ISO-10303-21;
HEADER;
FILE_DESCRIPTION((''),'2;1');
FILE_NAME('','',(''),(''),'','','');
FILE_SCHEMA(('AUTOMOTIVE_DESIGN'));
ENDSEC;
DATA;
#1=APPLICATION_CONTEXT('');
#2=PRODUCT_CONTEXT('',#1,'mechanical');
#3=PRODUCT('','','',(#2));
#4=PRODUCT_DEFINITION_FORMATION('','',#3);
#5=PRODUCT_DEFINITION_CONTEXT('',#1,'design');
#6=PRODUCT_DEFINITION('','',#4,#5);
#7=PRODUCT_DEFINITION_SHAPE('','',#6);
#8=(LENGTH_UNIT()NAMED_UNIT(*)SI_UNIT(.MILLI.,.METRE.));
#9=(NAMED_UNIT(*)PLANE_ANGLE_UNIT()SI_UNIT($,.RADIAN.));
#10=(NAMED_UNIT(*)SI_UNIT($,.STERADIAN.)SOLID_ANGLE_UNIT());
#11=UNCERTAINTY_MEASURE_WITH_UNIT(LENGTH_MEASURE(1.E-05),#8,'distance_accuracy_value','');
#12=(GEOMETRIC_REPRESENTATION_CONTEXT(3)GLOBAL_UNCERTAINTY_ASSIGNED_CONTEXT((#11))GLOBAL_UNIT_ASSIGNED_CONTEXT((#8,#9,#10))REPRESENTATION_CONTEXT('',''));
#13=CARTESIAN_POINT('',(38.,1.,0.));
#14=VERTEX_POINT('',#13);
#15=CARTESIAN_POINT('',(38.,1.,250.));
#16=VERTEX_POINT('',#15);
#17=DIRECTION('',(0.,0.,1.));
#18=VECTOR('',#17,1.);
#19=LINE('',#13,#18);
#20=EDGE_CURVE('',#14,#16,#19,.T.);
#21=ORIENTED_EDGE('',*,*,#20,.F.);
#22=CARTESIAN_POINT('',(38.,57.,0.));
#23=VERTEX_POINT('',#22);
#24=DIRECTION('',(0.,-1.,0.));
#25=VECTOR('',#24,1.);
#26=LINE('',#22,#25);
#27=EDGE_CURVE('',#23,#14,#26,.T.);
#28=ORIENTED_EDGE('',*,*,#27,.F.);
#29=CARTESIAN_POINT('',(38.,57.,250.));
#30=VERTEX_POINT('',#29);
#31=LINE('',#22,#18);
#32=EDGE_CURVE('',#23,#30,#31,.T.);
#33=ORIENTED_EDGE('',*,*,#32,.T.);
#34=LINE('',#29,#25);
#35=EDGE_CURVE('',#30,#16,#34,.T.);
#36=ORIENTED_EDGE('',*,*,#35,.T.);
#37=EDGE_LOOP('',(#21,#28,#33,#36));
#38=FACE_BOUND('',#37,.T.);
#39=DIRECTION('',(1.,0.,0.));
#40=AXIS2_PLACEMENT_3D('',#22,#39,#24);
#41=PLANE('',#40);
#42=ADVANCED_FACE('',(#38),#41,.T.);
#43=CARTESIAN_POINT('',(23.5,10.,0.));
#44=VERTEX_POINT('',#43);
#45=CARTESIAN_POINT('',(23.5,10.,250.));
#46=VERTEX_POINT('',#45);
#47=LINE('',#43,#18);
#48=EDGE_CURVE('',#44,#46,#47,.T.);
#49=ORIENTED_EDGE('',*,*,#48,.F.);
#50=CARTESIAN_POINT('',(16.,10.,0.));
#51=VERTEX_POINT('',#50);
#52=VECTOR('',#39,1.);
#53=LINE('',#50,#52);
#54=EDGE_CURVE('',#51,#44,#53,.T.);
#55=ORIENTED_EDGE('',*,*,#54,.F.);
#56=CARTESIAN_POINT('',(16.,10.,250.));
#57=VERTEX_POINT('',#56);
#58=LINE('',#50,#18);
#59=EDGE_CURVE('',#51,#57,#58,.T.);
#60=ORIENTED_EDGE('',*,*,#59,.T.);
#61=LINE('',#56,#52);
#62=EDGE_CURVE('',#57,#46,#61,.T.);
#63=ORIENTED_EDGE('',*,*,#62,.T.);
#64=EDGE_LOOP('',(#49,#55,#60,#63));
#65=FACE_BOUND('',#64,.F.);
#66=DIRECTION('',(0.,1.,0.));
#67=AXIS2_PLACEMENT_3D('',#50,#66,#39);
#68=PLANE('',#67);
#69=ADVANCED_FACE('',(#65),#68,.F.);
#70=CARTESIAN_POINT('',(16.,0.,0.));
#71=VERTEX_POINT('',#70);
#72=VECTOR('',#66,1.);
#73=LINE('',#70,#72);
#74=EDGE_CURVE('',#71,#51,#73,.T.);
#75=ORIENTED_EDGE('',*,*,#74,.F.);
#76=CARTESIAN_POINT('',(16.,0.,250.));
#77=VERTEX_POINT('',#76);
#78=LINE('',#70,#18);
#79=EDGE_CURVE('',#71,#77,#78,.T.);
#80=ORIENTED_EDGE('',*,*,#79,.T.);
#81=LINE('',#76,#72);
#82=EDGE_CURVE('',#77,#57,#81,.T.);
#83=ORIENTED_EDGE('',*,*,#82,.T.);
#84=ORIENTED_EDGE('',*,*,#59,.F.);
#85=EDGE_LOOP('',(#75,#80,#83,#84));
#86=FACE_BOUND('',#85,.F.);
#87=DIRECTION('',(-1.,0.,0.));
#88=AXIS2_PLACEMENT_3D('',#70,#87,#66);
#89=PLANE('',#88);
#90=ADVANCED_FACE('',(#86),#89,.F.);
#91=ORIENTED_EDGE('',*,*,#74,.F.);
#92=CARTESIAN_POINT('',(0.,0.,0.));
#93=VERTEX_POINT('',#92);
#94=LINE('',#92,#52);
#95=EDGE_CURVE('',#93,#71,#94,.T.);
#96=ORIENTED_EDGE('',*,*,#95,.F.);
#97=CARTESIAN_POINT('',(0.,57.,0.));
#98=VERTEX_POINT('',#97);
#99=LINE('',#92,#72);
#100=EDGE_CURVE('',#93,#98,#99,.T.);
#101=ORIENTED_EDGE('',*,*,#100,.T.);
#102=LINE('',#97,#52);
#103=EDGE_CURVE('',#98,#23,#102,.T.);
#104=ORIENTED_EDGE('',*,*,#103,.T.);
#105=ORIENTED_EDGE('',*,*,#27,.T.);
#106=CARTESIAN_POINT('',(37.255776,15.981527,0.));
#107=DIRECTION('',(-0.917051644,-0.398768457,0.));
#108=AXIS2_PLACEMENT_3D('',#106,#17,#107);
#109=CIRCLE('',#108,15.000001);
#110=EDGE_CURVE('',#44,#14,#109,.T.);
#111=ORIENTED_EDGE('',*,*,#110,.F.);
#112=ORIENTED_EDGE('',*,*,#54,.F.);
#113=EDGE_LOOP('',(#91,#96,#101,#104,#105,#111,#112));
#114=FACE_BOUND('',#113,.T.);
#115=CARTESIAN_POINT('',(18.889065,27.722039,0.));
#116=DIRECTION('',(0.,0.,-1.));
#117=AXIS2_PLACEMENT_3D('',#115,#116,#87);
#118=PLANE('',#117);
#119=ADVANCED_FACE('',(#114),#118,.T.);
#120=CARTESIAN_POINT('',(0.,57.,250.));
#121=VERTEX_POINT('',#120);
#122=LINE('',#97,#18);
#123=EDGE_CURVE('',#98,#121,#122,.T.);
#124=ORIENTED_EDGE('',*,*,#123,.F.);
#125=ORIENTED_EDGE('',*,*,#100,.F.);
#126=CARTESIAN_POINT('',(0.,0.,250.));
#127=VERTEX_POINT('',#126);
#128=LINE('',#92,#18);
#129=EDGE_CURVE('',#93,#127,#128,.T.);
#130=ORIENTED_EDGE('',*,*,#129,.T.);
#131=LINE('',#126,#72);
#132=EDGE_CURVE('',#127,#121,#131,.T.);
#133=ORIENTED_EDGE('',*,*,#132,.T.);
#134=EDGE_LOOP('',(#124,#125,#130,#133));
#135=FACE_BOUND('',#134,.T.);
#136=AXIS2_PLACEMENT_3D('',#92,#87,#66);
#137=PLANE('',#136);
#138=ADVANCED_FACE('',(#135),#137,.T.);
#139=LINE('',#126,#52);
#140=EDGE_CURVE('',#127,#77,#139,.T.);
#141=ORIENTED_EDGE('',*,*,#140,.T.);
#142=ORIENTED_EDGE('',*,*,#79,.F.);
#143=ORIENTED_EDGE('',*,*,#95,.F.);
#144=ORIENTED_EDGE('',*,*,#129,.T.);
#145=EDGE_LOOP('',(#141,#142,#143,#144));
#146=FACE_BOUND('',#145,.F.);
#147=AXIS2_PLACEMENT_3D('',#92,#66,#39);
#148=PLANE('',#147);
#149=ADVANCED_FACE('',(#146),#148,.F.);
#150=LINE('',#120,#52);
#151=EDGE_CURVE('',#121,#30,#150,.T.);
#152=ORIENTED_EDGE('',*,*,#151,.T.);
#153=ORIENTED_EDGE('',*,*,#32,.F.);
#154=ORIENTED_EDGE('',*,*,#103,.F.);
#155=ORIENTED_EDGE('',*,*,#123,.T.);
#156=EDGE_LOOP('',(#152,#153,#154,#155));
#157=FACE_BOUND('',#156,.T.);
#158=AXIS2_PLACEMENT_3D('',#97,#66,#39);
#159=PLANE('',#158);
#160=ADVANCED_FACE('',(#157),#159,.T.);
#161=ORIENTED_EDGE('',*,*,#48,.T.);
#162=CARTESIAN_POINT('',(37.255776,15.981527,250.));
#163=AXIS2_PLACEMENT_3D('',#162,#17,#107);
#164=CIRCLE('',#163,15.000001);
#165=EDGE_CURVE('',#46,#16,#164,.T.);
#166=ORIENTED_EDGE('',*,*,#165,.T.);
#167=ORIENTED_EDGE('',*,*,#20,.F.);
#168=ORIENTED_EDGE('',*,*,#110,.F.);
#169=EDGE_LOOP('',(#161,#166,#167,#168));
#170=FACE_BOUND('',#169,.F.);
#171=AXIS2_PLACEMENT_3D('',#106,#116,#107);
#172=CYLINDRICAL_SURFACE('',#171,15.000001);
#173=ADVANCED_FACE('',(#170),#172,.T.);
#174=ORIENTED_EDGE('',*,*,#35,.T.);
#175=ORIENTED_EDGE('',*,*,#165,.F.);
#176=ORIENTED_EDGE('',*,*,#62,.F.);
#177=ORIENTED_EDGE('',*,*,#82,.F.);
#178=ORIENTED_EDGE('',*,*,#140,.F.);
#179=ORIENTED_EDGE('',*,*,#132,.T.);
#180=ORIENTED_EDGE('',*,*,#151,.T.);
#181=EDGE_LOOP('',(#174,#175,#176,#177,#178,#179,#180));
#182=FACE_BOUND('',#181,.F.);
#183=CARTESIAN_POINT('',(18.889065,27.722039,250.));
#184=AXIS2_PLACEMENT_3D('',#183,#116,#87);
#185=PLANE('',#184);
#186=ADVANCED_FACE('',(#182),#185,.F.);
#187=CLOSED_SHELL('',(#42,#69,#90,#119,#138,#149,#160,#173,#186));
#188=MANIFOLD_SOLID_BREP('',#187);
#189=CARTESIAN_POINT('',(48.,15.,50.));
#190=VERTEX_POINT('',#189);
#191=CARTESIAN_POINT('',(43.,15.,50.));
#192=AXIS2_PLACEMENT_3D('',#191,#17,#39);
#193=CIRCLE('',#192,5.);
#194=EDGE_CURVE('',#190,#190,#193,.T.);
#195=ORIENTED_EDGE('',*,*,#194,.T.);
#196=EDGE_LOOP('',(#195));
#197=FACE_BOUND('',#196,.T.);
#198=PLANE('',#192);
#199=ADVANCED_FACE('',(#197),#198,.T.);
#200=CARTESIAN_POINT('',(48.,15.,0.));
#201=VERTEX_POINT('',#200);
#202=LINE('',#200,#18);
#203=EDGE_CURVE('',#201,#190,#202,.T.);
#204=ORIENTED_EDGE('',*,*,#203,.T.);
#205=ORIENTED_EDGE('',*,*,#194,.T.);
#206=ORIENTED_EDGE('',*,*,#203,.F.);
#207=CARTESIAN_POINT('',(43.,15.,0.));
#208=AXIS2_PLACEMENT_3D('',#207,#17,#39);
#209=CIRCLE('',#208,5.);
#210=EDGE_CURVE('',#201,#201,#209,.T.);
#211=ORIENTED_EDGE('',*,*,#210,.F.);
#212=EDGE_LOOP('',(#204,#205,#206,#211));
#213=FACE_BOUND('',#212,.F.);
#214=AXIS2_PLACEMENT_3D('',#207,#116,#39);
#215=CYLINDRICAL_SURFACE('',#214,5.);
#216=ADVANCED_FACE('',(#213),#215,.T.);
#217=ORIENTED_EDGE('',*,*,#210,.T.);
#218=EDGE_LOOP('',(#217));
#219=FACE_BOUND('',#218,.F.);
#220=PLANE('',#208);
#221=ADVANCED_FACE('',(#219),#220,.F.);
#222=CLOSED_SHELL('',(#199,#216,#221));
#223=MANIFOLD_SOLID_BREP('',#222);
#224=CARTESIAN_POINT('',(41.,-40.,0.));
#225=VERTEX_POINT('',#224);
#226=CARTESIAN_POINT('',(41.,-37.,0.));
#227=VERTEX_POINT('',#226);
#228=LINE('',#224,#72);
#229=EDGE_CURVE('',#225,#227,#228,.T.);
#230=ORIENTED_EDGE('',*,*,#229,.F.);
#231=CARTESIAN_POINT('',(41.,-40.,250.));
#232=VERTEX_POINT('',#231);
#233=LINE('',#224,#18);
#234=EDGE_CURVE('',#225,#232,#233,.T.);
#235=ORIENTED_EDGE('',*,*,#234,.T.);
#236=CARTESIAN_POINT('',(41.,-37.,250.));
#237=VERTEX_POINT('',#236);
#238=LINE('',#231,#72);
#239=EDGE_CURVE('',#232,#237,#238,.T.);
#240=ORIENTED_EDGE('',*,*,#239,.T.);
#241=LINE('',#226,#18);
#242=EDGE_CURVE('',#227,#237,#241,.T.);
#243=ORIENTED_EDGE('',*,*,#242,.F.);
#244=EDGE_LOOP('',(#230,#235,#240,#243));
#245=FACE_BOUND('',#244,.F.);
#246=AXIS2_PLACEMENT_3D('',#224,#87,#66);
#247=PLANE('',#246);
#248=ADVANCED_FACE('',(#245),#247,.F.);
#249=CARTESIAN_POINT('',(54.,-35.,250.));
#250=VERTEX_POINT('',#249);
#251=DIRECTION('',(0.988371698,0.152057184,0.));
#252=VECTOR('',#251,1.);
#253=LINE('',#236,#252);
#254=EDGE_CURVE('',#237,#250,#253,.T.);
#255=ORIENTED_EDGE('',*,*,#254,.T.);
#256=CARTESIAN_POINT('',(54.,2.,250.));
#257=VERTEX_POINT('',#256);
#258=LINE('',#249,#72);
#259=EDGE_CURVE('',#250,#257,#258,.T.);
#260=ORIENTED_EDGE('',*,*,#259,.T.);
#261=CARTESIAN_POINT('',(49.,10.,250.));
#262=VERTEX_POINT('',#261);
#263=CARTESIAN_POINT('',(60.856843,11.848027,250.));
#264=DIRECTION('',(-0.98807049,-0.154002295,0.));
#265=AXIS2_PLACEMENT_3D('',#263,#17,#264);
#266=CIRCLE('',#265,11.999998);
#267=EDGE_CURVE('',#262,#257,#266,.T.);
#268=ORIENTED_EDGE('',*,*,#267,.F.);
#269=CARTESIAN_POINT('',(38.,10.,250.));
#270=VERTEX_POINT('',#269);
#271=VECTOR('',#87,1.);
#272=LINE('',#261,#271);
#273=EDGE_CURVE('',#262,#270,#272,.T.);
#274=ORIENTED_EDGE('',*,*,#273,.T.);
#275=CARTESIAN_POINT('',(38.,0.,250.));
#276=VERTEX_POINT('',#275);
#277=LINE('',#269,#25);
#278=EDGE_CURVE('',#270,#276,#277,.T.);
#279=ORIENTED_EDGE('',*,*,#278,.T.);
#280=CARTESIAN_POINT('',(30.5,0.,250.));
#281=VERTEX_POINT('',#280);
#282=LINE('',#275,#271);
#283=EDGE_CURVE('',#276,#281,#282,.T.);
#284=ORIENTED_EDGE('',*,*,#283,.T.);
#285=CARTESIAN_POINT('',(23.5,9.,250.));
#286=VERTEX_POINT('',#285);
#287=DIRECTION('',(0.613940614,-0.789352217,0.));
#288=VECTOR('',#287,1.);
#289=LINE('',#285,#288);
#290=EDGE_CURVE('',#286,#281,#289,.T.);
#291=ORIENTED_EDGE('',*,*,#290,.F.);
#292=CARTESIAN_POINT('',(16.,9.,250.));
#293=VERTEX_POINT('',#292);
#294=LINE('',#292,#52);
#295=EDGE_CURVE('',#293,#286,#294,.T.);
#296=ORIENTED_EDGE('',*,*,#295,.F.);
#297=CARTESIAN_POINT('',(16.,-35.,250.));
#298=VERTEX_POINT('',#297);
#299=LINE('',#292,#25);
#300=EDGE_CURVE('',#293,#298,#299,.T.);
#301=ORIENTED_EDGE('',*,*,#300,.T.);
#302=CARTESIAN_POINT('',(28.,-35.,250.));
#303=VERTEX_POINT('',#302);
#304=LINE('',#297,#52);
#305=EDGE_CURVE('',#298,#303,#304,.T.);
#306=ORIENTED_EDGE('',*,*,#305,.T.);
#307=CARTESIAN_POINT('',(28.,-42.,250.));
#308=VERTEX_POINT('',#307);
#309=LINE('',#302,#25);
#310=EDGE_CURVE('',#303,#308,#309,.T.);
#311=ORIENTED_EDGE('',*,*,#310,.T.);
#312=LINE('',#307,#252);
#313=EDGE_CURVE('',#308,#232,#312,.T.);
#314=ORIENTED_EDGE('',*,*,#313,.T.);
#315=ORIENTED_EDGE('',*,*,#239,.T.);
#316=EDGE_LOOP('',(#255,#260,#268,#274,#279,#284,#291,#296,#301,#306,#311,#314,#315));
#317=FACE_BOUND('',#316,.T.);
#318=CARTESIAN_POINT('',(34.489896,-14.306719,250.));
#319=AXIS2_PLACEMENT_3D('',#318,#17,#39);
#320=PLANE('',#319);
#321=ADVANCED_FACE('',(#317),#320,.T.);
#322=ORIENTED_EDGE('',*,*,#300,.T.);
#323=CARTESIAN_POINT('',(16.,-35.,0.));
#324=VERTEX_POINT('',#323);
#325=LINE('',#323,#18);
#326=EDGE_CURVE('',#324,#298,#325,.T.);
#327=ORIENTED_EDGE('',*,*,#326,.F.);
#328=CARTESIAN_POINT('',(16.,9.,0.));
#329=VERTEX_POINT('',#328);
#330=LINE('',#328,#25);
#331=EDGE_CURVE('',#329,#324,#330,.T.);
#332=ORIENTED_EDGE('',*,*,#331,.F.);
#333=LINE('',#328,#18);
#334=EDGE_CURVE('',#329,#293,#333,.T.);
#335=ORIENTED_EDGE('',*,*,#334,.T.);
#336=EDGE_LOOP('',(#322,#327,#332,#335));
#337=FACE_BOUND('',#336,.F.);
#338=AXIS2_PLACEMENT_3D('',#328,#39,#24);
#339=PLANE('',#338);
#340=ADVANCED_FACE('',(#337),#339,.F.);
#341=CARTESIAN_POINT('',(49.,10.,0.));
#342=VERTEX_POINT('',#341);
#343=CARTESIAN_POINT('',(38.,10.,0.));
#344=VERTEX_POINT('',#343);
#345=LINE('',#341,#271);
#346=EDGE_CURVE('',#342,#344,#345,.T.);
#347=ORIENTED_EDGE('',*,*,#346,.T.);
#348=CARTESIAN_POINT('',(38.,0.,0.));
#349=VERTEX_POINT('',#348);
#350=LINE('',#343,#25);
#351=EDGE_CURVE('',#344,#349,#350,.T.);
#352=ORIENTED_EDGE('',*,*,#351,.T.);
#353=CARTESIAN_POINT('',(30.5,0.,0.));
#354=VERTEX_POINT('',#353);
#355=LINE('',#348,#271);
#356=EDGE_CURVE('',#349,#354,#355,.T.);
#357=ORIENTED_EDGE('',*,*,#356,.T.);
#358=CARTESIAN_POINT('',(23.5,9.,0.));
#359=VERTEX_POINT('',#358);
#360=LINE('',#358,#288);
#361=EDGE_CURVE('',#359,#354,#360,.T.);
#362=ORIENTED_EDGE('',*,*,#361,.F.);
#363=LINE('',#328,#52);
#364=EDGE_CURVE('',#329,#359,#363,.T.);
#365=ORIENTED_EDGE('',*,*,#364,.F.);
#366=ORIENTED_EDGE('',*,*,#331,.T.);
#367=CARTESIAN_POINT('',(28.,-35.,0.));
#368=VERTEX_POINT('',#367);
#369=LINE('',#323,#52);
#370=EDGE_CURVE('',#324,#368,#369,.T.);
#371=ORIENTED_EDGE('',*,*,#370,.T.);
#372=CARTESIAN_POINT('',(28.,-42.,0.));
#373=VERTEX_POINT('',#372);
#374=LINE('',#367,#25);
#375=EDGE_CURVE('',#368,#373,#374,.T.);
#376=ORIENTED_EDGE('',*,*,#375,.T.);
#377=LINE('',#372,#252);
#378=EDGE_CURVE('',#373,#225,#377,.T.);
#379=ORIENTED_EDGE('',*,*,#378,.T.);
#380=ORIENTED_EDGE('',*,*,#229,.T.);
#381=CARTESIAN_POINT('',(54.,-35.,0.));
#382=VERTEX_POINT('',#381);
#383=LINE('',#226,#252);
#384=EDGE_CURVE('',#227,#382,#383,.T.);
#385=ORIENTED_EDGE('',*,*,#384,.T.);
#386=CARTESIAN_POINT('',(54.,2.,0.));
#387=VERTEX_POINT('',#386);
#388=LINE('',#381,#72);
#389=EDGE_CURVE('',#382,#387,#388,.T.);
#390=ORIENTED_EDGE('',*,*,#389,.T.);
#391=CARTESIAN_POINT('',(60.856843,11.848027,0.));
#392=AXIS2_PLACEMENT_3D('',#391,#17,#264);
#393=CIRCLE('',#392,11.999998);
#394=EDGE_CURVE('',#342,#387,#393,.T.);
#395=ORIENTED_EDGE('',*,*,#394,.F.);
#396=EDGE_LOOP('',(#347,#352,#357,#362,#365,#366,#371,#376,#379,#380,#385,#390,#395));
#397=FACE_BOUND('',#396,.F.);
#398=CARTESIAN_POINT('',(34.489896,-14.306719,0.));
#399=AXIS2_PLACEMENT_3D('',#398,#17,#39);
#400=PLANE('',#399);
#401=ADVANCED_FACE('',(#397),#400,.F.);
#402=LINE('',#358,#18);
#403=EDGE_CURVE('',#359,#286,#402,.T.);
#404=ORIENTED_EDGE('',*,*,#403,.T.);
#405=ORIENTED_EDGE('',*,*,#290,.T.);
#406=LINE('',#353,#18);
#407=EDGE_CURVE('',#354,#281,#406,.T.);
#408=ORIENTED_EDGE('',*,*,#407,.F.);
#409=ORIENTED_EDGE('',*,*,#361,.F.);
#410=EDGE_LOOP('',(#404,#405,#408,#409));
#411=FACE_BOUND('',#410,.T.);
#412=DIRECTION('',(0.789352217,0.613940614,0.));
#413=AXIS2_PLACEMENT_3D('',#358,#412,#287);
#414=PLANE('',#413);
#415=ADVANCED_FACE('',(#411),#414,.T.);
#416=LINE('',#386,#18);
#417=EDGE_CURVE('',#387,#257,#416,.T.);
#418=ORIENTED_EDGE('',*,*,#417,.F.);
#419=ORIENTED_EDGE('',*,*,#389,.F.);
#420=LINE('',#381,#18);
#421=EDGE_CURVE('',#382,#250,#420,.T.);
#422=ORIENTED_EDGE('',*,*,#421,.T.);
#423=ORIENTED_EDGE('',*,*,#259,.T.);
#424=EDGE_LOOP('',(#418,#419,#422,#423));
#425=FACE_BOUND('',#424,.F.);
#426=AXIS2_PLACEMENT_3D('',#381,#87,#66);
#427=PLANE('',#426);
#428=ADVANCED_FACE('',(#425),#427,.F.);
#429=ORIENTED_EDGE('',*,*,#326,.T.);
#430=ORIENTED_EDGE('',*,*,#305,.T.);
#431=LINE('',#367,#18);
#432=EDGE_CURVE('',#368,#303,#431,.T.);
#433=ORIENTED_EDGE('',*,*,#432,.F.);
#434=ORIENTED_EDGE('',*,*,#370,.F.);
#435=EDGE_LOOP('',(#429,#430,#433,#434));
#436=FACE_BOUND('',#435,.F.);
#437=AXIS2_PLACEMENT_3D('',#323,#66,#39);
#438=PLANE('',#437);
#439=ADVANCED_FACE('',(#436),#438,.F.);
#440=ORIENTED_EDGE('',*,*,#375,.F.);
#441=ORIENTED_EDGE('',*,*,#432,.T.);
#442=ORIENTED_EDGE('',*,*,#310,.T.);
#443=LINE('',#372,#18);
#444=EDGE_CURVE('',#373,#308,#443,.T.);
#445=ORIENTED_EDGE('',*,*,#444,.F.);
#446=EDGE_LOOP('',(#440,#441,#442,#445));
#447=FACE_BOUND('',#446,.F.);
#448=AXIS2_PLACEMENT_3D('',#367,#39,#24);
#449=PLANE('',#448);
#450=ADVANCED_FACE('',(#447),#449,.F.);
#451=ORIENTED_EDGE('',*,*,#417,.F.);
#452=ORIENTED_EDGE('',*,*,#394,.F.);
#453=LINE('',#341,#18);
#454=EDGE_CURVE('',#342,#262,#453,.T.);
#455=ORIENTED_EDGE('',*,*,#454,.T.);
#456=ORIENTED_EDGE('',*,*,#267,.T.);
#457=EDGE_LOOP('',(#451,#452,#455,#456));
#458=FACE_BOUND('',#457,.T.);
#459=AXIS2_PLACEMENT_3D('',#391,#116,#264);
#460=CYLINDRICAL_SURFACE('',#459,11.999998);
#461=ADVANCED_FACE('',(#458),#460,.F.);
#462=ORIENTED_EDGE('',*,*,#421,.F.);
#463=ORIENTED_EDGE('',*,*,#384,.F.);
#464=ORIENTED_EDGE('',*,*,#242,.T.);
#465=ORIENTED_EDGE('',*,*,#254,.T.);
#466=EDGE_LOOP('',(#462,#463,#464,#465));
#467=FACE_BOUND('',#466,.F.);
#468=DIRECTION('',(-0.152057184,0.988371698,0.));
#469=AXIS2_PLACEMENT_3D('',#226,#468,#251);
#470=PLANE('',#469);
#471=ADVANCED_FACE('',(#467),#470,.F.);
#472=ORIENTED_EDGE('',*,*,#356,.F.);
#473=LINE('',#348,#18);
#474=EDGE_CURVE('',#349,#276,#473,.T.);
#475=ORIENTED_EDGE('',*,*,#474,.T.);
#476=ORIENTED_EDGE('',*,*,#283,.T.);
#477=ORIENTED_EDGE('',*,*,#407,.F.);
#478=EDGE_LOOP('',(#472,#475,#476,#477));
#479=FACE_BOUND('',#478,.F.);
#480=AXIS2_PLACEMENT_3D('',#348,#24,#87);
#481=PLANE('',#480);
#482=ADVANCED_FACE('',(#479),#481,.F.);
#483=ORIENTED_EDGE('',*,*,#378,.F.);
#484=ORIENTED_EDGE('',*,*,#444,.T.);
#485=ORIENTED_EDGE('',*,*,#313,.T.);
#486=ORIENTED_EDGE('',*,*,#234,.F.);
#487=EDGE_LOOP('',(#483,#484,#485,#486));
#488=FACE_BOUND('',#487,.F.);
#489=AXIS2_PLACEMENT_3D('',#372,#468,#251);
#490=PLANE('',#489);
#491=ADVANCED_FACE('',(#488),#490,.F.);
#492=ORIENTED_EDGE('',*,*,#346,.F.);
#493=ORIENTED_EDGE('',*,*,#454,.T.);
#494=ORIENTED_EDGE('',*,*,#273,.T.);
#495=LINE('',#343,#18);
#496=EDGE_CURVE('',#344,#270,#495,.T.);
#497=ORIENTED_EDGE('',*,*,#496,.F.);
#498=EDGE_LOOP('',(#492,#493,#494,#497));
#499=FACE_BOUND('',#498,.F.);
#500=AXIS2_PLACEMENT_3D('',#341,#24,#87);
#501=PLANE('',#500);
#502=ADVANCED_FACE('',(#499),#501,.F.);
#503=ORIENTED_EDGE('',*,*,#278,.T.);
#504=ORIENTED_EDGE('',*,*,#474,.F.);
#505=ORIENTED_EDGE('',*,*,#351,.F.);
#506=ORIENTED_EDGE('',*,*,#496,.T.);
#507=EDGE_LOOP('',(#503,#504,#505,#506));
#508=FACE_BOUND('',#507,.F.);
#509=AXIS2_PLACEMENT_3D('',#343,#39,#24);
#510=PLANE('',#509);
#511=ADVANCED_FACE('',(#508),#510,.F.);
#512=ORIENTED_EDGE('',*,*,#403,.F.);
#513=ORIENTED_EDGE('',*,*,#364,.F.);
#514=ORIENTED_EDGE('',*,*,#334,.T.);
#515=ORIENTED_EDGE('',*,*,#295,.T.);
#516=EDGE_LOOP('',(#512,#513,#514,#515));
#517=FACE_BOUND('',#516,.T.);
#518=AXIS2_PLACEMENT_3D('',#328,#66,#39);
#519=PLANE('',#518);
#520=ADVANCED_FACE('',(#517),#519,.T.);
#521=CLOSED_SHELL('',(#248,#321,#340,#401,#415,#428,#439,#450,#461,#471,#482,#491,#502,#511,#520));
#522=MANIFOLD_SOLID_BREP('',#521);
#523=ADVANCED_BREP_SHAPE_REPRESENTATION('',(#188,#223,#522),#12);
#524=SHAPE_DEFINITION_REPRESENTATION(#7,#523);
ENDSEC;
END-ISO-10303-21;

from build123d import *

# Parameters (mm, degrees)
EXTRUDE_DEPTH    = 250
EXTRUDE001_DEPTH = 250
SKETCH005_R      = 5
EXTRUDE002_DEPTH = 50


with BuildPart() as extrude_body:
    # Sketch003 → Extrude (new body)
    with BuildSketch(Plane.XY):
        with BuildLine():
            Line((0, 0), (0, 57))
            Line((0, 57), (38, 57))
            Line((38, 57), (38, 1))
            ThreePointArc((23.5, 10), (29.345332, 3.236924), (38, 1))
            Line((16, 10), (23.5, 10))
            Line((16, 0), (16, 10))
            Line((0, 0), (16, 0))
        make_face()
    extrude(amount=EXTRUDE_DEPTH)


with BuildPart() as extrude001:
    # Sketch004 (on Sketch) → Extrude001 (new body)
    with BuildSketch(Plane.XY):
        with BuildLine():
            Line((16, -35), (28, -35))
            Line((28, -35), (28, -42))
            Line((28, -42), (41, -40))
            Line((41, -40), (41, -37))
            Line((41, -37), (54, -35))
            Line((54, -35), (54, 2))
            ThreePointArc((49, 10), (50.680866, 5.488041), (54, 2))
            Line((49, 10), (38, 10))
            Line((38, 10), (38, 0))
            Line((38, 0), (30.5, 0))
            Line((23.5, 9), (30.5, 0))
            Line((16, 9), (23.5, 9))
            Line((16, 9), (16, -35))
        make_face()
    extrude(amount=EXTRUDE001_DEPTH)


with BuildPart() as extrude002:
    # Sketch005 (on Sketch) → Extrude002 (new body)
    with BuildSketch(Plane.XY):
        with Locations((43, 15)):
            Circle(SKETCH005_R)
    extrude(amount=EXTRUDE002_DEPTH)


solid = Compound([extrude_body.part, extrude001.part, extrude002.part])
